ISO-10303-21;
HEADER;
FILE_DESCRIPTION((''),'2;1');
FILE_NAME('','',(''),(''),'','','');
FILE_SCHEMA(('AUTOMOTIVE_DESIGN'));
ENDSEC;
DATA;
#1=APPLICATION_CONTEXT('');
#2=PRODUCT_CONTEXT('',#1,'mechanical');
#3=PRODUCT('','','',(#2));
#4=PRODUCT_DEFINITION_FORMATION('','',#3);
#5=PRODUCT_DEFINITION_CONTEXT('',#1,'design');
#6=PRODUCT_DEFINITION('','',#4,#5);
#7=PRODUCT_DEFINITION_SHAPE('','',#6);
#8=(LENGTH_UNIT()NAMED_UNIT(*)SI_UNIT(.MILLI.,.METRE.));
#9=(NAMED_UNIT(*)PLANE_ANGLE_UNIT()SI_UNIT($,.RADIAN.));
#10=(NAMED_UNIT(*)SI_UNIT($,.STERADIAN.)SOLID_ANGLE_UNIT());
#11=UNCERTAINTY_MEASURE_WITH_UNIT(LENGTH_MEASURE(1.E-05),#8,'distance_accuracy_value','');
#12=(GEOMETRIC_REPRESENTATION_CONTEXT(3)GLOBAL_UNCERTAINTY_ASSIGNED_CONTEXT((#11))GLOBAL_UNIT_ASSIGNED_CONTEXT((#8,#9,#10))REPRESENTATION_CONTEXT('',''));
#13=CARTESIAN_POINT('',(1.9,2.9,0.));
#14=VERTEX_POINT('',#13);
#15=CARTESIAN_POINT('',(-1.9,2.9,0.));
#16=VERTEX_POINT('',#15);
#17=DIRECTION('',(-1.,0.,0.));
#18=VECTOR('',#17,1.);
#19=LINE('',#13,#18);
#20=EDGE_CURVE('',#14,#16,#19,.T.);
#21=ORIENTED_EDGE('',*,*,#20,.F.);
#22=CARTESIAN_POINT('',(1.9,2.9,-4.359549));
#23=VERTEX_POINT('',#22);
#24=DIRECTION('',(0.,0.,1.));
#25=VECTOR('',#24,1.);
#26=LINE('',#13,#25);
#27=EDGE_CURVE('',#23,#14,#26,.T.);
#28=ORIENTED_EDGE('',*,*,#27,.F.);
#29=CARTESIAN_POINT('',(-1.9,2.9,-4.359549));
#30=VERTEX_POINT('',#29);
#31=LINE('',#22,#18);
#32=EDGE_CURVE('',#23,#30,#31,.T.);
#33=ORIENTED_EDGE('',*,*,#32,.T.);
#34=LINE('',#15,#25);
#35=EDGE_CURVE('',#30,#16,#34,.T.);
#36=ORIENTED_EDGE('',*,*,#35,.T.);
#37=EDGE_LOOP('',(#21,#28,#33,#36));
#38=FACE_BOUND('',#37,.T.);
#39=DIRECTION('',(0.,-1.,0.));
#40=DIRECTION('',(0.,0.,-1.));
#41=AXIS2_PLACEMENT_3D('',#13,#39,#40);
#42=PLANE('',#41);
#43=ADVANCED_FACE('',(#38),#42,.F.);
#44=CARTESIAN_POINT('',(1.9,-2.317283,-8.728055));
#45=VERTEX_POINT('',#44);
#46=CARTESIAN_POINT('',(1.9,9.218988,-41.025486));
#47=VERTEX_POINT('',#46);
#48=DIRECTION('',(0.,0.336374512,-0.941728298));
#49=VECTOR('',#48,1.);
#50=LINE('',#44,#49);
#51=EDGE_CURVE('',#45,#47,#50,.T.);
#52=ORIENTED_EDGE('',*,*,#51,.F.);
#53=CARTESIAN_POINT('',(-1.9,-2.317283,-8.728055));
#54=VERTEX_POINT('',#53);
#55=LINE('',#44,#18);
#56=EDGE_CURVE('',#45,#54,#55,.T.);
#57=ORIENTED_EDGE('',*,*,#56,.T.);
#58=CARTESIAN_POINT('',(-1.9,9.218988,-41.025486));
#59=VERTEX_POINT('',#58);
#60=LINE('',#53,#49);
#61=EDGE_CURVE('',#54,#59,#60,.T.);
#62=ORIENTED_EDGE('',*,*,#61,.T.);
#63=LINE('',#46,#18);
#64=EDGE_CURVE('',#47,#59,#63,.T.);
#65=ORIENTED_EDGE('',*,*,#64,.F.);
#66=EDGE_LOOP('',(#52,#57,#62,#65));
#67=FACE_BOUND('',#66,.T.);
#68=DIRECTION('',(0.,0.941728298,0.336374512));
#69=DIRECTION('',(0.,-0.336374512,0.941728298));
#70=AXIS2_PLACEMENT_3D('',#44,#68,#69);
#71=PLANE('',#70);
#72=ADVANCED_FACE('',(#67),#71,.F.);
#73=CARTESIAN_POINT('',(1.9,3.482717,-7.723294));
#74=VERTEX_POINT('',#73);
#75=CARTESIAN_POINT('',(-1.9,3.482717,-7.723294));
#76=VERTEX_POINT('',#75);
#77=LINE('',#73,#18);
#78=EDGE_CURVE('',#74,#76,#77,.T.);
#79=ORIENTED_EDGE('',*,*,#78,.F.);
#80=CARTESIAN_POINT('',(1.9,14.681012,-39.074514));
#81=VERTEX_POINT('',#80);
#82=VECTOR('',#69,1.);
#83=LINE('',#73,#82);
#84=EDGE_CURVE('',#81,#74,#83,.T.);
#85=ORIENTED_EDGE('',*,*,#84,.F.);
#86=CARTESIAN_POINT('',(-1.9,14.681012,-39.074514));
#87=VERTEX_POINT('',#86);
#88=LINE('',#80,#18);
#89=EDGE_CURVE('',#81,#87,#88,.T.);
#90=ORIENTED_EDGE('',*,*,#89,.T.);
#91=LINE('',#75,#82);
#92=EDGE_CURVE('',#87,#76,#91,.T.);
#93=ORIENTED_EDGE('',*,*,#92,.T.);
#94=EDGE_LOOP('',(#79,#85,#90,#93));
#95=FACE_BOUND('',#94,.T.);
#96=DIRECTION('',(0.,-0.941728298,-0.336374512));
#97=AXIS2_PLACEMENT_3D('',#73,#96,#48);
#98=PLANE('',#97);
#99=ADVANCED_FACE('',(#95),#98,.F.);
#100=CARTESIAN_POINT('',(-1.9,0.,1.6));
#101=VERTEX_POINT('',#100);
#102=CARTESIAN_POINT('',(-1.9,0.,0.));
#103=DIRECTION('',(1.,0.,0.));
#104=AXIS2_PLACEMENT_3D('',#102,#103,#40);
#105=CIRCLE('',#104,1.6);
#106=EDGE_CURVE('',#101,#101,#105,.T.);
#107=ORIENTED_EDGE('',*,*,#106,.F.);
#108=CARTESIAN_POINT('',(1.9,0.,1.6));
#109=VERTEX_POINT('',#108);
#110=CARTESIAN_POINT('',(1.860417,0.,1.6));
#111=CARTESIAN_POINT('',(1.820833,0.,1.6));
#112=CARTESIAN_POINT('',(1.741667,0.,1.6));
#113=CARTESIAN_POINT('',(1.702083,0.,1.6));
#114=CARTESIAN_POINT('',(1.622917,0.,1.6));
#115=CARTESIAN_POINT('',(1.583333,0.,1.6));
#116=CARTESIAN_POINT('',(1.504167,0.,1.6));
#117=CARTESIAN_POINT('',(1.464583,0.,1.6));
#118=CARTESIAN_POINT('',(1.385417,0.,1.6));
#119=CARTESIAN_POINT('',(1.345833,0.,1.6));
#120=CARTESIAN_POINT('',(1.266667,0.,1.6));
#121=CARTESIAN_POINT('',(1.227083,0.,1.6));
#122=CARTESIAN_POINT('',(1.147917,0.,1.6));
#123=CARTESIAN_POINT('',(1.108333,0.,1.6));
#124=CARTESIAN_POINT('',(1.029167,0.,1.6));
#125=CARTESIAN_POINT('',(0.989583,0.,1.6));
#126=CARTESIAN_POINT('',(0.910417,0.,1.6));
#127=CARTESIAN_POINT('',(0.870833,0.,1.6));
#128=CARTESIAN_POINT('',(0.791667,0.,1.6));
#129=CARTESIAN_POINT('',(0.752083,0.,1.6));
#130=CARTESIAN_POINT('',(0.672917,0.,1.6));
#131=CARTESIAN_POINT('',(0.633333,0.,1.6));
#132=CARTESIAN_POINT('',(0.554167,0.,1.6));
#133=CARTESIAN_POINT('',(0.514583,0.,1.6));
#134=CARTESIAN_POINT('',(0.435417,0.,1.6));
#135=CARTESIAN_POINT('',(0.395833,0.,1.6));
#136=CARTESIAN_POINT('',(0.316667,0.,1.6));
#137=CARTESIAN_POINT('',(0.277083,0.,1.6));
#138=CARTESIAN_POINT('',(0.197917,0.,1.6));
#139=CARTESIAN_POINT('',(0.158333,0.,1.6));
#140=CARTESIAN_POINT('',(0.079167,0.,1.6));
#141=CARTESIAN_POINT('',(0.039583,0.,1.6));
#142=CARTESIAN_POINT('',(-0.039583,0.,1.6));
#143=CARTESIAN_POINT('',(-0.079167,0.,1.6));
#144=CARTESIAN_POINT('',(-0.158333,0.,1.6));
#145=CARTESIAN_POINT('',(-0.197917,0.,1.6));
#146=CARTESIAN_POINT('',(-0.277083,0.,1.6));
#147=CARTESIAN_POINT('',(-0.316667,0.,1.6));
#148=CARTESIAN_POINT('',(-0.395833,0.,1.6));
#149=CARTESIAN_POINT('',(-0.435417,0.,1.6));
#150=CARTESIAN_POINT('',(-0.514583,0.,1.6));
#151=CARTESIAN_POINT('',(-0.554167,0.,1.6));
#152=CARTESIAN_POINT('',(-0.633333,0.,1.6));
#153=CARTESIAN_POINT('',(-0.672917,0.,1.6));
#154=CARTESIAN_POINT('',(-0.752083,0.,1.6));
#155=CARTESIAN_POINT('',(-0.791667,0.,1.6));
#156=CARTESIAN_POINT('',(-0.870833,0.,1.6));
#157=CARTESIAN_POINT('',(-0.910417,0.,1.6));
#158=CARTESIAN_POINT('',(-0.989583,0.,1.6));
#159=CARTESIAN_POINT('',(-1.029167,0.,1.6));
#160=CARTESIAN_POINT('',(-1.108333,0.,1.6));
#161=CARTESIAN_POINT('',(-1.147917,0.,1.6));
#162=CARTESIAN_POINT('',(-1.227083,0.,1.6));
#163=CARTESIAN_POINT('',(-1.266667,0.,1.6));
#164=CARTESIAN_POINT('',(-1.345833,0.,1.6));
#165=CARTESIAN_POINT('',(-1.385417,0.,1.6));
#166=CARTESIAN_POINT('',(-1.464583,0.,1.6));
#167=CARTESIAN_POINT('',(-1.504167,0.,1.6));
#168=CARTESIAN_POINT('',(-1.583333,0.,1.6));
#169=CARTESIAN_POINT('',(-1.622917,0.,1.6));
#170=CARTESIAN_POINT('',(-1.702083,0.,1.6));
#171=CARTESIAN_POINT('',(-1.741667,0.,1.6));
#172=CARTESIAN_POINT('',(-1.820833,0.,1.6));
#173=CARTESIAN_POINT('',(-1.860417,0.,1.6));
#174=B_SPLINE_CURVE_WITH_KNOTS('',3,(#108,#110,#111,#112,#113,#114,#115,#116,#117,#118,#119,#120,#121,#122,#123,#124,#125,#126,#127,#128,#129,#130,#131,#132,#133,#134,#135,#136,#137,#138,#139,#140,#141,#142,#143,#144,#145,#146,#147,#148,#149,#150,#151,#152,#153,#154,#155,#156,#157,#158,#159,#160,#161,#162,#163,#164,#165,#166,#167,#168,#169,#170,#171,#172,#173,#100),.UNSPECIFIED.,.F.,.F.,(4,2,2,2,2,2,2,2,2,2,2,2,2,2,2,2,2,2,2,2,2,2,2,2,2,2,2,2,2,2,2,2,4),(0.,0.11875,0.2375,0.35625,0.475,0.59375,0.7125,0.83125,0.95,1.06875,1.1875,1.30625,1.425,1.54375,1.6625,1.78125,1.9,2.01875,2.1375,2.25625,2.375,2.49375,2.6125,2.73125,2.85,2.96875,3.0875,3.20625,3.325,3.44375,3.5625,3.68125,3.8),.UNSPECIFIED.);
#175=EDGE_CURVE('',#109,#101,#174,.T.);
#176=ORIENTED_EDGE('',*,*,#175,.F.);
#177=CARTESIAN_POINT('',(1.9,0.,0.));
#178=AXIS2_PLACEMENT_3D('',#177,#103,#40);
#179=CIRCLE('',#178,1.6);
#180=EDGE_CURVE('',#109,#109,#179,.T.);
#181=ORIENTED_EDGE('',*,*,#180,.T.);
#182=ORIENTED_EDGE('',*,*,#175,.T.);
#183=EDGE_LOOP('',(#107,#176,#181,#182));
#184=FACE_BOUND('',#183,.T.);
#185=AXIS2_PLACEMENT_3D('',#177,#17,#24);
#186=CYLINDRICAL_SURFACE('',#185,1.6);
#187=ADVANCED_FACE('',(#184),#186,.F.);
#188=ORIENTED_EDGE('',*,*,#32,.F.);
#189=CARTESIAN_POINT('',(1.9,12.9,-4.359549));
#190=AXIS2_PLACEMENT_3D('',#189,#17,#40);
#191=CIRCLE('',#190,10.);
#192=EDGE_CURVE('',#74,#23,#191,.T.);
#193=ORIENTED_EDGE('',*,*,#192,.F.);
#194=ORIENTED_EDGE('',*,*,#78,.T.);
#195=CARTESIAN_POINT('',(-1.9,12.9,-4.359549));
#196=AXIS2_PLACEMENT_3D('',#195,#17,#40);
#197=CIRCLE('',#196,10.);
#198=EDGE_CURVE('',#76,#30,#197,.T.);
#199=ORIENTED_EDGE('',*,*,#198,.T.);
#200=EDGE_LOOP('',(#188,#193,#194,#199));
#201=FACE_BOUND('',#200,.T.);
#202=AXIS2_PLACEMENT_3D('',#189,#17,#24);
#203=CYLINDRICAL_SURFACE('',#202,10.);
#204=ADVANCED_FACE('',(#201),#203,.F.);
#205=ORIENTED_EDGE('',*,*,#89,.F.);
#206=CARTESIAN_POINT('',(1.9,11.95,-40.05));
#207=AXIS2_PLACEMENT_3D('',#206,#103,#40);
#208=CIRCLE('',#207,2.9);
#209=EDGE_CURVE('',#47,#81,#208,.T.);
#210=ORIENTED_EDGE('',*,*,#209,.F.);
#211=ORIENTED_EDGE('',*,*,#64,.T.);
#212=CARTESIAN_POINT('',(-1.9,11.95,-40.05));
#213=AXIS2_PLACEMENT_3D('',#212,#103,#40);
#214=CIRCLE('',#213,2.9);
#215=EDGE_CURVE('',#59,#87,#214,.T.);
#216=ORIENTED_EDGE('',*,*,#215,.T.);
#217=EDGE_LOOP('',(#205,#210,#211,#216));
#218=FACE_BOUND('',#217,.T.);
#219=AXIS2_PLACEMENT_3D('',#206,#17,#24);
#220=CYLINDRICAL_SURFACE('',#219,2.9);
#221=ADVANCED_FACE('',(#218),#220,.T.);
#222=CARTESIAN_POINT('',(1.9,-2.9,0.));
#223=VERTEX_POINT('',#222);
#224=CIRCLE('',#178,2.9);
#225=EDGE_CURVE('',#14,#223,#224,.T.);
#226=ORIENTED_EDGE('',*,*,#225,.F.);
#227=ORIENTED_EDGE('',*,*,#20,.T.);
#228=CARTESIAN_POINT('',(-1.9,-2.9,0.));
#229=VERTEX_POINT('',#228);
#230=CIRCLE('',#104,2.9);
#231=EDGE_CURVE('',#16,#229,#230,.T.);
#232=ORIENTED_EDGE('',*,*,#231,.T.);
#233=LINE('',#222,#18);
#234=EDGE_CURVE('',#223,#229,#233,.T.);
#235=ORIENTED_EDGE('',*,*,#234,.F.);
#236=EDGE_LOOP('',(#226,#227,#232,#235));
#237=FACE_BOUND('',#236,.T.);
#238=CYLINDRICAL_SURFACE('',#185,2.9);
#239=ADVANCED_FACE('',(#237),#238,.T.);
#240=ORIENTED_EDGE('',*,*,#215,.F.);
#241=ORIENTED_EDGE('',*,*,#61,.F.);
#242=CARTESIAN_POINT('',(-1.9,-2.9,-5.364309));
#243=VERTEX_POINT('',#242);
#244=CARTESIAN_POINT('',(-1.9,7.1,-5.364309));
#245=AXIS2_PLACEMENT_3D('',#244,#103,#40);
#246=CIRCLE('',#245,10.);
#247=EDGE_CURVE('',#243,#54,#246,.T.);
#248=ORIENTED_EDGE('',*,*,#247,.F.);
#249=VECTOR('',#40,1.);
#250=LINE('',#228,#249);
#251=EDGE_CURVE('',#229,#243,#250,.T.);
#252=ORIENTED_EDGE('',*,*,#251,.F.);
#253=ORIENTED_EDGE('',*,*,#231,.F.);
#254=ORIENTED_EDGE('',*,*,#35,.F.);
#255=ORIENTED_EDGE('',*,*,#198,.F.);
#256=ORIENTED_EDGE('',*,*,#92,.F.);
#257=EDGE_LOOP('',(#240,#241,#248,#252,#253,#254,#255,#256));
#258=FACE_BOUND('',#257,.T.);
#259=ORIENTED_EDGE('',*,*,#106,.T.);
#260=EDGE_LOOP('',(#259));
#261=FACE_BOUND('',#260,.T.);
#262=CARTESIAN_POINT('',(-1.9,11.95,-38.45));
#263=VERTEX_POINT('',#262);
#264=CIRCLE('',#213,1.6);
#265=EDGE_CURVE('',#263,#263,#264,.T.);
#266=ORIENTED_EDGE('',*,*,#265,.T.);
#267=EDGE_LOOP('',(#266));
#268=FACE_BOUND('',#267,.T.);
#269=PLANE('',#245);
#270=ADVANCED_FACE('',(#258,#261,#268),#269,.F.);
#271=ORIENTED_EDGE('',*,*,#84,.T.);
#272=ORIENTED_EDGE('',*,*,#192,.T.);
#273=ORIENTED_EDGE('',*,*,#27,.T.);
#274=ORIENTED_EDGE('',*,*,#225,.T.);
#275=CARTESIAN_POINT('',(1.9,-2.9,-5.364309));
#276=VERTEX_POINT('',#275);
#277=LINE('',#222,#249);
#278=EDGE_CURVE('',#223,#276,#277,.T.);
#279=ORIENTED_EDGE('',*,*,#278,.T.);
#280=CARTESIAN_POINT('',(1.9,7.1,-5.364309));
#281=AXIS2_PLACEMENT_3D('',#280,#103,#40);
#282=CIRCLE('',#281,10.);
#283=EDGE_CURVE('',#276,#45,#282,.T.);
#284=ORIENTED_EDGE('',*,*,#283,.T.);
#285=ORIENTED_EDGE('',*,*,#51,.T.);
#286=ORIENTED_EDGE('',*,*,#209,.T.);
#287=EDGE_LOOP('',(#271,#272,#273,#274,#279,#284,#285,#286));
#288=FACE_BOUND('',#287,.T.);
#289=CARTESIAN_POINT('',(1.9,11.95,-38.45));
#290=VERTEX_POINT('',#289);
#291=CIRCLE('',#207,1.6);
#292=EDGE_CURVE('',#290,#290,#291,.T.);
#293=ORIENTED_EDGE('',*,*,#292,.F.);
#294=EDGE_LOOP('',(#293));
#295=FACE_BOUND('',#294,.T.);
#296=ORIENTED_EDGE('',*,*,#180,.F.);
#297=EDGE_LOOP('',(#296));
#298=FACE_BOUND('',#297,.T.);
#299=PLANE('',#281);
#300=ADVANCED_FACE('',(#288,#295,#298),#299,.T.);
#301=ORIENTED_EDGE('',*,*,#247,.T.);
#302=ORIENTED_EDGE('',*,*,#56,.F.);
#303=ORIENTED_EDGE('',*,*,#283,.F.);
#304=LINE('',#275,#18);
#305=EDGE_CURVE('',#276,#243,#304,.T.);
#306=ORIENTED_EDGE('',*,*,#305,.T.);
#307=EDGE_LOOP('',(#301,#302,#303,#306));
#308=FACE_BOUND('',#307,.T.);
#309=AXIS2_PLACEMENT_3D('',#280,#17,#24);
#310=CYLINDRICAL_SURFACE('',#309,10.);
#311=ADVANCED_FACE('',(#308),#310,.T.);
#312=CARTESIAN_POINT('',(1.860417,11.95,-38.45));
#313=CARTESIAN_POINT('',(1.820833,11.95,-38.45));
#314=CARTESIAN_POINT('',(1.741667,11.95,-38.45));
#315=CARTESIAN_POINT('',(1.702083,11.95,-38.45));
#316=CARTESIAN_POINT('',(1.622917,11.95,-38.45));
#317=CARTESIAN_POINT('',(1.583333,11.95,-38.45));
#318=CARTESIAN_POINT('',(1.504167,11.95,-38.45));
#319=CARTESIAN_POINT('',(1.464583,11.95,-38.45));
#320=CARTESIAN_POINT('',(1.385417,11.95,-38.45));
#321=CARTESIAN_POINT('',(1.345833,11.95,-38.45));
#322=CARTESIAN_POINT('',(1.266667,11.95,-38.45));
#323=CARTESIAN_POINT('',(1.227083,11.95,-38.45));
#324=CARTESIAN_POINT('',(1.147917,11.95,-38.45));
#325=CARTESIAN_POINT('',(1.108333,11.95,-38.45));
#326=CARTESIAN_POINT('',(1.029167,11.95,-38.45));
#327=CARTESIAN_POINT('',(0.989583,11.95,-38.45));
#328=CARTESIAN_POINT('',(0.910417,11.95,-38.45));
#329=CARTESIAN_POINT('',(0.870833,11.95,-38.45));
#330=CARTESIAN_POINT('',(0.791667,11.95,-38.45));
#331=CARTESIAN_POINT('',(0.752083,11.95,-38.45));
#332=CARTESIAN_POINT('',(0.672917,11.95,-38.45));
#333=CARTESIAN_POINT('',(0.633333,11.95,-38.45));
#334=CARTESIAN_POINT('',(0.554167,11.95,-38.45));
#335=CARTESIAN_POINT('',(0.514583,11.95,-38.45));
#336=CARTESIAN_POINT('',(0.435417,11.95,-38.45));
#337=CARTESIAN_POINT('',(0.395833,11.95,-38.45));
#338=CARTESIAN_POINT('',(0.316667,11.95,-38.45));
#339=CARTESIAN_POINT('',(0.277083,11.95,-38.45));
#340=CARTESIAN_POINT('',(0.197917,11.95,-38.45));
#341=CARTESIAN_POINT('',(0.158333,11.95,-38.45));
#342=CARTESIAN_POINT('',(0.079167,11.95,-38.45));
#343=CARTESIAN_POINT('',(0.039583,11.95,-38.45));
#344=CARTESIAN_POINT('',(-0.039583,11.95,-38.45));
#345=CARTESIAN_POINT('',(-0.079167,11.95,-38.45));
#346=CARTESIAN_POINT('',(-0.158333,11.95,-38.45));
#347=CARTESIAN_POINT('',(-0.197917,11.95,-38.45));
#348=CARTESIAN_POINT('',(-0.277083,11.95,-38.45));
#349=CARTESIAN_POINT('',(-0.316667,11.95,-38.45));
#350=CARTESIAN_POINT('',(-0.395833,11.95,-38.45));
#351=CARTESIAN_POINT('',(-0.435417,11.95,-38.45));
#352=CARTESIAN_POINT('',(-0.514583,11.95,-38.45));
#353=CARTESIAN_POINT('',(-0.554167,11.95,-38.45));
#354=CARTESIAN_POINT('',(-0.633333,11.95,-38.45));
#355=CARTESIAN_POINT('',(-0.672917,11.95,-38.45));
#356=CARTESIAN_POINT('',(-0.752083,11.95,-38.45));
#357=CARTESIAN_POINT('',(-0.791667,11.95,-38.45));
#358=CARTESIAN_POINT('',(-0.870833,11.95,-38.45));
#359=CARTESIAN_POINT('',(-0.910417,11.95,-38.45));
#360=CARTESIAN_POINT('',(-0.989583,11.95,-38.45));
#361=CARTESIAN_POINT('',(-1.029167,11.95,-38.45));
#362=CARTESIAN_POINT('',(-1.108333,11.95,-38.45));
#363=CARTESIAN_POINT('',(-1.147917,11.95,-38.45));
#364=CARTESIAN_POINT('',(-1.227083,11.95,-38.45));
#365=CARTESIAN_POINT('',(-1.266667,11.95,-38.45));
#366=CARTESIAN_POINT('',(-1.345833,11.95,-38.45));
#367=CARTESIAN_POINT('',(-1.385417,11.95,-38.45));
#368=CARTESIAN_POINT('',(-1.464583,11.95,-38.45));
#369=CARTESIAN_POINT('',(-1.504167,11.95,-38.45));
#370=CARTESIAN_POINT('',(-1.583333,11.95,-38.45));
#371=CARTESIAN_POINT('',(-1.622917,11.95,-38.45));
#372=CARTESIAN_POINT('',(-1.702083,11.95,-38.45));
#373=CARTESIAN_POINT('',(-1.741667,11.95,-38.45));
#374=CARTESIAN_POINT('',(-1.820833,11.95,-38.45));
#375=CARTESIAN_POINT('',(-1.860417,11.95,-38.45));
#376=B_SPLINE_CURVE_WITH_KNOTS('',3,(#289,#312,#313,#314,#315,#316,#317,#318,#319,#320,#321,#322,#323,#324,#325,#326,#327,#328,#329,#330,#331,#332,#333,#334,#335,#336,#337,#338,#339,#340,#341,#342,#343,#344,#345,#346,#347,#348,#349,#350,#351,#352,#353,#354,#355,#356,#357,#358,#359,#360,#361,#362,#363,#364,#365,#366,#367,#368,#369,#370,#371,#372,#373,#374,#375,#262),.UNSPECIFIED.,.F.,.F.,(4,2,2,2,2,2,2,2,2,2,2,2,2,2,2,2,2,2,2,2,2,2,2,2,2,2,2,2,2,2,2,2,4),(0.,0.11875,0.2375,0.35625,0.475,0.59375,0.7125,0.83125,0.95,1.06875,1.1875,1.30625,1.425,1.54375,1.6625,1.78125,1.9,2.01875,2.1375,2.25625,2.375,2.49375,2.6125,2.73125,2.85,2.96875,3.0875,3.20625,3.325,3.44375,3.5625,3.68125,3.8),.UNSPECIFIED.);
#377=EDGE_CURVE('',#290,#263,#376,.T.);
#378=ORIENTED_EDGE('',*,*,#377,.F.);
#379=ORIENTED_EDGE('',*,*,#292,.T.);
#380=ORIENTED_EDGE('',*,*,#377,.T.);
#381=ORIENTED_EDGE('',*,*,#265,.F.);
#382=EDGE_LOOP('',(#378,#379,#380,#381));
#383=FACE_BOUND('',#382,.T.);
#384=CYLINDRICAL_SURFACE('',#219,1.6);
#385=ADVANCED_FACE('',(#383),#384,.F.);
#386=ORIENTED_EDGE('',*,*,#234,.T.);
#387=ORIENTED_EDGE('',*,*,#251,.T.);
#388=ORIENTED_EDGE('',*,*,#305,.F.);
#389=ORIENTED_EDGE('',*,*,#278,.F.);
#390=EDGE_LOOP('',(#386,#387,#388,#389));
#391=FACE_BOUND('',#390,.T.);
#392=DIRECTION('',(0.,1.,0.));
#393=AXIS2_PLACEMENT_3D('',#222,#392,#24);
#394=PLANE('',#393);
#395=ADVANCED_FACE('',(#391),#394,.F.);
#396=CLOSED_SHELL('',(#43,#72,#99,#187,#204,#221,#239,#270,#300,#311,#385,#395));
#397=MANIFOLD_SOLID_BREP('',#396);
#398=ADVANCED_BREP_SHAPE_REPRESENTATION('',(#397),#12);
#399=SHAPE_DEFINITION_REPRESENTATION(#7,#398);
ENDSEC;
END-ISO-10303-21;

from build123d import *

# Parameters (mm, degrees)
SKETCH1_R           = 1.6
BOSS_EXTRUDE1_DEPTH = 1.9


with BuildPart() as part:
    # Sketch1 → Boss-Extrude1 (new, symmetric)
    with BuildSketch(Plane(origin=(0, 0, 0), x_dir=(0, 0, -1), z_dir=(1, 0, 0))):
        with BuildLine():
            Line((0, 2.9), (4.359548809, 2.9))
            ThreePointArc((4.359548809, 2.9), (6.066471506, 3.046756123), (7.723293933, 3.482717019))
            Line((7.723293933, 3.482717019), (39.074513914, 14.681012064))
            ThreePointArc((39.074513914, 14.681012064), (42.781012064, 12.925486086), (41.025486086, 9.218987936))
            Line((41.025486086, 9.218987936), (8.728054575, -2.317282981))
            ThreePointArc((8.728054575, -2.317282981), (7.071232149, -2.753243877), (5.364309451, -2.9))
            Line((5.364309451, -2.9), (0, -2.9))
            ThreePointArc((0, -2.9), (-2.9, 0), (0, 2.9))
        make_face()
        with Locations(Location((0, 0, 0), (0, 0, 180))):
            Circle(SKETCH1_R, mode=Mode.SUBTRACT)
        with Locations(Location((40.05, 11.95, 0), (0, 0, 180))):
            Circle(SKETCH1_R, mode=Mode.SUBTRACT)
    extrude(amount=BOSS_EXTRUDE1_DEPTH, both=True)


solid = part.part
